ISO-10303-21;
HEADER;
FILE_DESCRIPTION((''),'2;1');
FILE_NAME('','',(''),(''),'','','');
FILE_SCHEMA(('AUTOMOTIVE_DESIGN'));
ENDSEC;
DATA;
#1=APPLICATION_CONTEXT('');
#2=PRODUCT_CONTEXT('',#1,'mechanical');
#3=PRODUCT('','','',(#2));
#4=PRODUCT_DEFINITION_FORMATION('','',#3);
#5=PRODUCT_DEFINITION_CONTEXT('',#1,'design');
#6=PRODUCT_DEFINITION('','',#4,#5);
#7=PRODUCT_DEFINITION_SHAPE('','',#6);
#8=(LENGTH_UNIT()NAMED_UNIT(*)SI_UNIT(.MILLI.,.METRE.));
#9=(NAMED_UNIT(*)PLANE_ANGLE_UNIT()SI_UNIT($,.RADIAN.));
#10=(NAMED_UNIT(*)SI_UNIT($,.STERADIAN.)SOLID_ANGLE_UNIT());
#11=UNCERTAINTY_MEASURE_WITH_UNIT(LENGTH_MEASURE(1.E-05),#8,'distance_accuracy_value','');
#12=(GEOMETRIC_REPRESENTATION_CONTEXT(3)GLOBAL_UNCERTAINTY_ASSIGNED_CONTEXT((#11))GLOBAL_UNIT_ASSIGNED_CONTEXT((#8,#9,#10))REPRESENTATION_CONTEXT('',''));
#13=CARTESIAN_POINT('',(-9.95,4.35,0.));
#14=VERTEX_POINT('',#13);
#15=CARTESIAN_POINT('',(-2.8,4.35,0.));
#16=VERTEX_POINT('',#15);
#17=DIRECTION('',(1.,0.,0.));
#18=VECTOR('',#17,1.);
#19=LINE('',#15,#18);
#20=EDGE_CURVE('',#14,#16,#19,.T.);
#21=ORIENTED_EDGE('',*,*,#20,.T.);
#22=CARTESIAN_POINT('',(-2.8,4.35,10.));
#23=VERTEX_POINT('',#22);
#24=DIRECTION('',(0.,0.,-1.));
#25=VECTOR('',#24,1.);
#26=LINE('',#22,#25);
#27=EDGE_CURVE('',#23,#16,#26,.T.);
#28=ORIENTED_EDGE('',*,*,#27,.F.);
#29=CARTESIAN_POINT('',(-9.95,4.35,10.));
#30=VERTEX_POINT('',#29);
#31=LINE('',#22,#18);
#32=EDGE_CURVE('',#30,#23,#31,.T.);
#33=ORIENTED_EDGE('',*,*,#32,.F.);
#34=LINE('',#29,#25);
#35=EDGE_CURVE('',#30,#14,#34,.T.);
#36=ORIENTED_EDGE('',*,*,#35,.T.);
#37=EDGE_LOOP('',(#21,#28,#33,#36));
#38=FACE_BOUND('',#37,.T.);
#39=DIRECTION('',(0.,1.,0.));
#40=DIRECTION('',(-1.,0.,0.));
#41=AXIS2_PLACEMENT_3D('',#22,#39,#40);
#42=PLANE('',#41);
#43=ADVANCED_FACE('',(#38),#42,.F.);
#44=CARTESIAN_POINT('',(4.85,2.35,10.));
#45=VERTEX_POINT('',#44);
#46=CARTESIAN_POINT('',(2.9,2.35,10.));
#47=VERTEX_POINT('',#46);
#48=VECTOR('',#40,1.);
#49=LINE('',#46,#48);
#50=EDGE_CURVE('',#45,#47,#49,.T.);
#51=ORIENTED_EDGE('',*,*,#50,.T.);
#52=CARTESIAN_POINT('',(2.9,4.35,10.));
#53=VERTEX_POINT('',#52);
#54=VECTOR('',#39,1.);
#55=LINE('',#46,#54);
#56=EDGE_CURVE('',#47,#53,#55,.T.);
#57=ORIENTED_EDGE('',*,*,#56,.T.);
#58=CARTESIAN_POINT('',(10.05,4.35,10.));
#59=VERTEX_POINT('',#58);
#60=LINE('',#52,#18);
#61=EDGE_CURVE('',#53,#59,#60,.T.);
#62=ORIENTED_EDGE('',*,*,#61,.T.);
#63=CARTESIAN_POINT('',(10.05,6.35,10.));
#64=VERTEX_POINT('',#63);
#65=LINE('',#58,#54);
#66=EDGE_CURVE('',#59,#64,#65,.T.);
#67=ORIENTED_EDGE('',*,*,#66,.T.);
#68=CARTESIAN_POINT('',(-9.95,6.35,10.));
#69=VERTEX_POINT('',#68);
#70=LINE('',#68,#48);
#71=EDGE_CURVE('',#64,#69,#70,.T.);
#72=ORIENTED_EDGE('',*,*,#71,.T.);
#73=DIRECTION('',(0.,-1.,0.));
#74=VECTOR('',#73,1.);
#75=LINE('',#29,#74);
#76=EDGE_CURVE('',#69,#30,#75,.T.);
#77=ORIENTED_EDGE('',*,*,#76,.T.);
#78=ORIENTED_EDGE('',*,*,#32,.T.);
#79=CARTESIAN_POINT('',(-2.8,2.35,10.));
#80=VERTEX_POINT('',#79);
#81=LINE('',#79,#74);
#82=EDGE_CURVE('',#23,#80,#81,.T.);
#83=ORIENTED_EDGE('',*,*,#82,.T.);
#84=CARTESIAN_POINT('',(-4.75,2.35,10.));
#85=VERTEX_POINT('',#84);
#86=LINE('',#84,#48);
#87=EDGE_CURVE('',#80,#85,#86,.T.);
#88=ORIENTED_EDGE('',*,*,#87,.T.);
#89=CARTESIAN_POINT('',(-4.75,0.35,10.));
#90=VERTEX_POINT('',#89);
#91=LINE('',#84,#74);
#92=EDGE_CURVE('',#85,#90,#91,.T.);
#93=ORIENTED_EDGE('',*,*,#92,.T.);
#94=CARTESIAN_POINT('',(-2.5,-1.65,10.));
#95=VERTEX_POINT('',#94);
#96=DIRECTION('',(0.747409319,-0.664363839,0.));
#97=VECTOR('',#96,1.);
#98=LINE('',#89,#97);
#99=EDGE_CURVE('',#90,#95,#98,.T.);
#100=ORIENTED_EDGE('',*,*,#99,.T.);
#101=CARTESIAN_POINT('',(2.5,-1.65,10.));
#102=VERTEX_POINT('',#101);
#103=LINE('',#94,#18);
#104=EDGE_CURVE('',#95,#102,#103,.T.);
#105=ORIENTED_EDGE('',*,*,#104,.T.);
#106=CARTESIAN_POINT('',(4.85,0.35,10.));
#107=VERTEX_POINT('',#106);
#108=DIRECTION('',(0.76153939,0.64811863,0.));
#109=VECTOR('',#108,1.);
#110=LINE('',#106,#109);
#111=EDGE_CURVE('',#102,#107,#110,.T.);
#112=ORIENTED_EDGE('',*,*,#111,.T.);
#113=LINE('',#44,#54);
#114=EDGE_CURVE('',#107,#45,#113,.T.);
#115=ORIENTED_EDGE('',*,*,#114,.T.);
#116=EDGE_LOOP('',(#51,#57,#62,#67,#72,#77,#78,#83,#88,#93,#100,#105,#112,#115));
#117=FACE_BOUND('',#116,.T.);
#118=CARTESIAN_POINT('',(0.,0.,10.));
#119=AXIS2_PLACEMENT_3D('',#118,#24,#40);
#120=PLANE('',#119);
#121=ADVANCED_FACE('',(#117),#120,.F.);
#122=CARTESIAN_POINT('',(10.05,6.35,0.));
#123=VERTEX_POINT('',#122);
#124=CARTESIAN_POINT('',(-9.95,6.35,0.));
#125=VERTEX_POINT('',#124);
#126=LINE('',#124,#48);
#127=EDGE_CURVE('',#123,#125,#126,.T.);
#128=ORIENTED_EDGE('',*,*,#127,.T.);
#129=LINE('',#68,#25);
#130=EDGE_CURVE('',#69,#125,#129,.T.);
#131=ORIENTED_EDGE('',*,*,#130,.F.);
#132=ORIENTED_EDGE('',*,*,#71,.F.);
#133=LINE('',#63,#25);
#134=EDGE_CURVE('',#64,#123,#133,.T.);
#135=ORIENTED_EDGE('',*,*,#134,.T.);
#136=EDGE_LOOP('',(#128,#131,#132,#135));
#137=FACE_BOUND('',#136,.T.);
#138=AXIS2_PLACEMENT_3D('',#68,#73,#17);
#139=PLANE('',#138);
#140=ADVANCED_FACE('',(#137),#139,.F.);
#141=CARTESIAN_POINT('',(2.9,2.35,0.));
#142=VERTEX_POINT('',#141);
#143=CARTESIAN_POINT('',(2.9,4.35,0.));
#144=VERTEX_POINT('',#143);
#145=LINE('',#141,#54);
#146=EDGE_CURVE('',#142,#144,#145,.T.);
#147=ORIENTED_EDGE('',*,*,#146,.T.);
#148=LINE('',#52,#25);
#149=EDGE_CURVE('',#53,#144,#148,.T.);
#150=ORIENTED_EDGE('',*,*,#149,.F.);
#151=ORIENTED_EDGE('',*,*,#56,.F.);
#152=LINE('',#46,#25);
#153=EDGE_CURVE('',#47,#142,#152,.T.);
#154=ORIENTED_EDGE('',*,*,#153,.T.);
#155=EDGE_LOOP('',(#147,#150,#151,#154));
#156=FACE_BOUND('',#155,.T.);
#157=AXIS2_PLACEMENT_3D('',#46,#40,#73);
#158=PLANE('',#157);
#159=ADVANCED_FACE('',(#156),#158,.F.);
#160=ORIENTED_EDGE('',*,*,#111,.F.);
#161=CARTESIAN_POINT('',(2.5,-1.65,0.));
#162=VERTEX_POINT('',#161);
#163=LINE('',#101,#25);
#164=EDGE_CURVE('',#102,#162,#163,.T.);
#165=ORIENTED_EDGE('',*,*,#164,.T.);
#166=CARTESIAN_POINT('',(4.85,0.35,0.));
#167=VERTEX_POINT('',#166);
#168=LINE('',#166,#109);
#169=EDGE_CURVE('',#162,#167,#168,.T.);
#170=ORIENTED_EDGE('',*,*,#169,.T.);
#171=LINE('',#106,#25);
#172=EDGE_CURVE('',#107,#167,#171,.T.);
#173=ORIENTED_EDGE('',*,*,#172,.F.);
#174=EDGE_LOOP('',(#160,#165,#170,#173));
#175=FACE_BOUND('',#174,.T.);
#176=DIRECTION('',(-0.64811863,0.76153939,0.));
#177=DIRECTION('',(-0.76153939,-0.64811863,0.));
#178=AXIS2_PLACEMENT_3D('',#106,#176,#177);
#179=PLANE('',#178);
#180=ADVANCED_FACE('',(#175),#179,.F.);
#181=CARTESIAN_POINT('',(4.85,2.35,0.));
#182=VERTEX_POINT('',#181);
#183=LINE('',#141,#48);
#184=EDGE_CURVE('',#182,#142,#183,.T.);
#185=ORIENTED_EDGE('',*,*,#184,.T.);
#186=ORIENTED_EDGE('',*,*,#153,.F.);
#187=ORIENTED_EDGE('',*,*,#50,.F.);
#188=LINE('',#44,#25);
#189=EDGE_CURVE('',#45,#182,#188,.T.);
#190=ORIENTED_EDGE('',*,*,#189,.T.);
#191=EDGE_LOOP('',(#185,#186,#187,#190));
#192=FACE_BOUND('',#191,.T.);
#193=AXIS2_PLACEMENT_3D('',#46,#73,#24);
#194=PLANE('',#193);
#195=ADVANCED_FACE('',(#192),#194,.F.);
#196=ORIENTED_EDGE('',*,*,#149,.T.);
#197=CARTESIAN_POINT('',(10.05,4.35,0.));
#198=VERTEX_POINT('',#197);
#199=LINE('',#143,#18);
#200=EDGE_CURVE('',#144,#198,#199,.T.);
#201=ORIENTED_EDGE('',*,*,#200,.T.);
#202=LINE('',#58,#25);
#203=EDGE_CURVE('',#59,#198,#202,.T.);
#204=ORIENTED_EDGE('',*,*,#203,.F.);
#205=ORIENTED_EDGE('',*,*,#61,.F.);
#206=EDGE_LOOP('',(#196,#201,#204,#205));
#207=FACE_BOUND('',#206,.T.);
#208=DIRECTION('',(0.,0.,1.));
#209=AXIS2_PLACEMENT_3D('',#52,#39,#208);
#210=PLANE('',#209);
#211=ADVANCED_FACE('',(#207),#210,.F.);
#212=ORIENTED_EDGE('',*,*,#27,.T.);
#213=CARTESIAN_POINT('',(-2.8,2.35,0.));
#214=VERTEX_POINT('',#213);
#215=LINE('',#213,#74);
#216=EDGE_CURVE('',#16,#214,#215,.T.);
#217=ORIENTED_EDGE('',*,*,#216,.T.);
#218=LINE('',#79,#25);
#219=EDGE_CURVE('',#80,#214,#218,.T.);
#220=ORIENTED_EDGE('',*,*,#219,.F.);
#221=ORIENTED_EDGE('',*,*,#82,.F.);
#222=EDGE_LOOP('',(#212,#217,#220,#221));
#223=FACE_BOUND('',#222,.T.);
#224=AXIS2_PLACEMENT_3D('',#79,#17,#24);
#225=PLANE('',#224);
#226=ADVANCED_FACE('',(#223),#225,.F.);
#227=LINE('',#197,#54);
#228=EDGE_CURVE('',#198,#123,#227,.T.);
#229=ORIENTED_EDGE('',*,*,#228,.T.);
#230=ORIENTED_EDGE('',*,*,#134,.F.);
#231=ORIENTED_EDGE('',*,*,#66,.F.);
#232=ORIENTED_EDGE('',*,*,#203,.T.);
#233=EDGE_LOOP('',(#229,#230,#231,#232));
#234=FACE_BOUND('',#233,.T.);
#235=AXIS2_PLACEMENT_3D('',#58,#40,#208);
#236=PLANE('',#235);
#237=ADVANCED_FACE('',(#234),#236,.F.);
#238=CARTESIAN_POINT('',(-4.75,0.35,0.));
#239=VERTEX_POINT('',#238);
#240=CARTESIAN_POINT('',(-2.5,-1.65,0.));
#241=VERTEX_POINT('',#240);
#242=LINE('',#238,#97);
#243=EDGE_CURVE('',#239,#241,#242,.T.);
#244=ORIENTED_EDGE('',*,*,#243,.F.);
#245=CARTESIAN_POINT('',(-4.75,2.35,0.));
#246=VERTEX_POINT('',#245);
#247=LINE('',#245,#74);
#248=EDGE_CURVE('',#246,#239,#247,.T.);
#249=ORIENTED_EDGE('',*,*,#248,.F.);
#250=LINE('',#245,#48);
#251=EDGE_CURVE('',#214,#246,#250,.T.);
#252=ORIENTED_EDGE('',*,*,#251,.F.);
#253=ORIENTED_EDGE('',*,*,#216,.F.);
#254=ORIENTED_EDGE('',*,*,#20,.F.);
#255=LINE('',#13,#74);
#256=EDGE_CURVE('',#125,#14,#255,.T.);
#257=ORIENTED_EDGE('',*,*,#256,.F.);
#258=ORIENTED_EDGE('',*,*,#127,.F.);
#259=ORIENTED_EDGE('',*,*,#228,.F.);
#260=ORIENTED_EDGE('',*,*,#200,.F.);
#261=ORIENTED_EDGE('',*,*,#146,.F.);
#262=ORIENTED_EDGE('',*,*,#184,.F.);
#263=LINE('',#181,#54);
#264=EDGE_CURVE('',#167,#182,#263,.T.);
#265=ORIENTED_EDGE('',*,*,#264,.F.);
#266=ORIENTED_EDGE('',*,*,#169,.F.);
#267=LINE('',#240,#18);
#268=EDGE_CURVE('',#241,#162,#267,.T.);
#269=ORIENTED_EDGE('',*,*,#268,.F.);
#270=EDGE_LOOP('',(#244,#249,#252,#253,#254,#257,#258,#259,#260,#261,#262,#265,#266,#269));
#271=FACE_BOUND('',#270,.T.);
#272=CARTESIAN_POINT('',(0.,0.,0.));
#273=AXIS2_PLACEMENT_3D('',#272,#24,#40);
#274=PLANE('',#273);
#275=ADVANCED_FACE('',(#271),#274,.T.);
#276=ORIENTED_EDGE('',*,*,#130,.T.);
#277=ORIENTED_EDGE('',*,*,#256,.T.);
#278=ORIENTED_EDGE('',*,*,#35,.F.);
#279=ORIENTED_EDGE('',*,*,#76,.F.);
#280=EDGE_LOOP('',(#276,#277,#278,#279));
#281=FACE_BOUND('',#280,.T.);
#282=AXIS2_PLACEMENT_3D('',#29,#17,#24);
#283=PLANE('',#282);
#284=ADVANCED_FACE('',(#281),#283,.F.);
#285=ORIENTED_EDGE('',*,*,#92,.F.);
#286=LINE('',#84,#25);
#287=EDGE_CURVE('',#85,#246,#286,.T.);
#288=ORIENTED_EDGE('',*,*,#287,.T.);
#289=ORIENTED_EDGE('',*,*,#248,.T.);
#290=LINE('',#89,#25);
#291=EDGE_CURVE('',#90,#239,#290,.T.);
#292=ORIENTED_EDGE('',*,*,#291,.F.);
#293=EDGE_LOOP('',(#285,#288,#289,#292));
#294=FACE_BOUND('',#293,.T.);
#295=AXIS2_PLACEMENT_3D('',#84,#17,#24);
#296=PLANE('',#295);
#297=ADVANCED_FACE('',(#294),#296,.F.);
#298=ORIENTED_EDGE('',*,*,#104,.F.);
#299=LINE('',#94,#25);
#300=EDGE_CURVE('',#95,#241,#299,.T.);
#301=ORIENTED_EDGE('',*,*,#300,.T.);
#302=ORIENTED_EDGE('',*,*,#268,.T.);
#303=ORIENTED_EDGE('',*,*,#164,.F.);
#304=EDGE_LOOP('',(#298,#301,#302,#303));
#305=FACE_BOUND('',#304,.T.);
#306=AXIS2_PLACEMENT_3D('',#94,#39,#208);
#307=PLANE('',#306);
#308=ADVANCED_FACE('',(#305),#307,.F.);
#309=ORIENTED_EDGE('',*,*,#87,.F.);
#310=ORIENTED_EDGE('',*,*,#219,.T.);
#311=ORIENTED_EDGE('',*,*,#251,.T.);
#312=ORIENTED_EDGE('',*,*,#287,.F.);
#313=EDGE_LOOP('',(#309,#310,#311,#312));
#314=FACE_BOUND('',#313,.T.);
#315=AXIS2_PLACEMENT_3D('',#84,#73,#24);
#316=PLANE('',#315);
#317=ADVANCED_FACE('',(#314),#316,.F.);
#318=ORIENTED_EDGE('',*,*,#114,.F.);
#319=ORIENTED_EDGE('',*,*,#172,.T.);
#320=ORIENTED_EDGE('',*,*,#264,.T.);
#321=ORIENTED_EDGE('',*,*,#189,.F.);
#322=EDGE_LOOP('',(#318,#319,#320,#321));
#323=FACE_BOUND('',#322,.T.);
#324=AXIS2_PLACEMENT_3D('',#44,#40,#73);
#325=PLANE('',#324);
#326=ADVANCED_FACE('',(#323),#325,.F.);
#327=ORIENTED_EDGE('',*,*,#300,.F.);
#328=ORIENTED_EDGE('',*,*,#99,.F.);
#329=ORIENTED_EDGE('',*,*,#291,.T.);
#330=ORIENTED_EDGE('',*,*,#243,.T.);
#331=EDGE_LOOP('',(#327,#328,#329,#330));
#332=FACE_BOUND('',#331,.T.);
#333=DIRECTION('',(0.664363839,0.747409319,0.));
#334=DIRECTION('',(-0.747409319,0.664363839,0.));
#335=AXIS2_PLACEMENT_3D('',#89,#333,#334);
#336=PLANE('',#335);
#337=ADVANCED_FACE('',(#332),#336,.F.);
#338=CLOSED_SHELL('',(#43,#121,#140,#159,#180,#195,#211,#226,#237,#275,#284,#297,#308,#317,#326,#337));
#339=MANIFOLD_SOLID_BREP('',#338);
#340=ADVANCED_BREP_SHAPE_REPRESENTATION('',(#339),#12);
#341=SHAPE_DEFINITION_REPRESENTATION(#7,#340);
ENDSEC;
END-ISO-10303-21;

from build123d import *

# Parameters (mm, degrees)
BOSS_EXTRUDE1_DEPTH = 10


with BuildPart() as part:
    # Sketch2 → Boss-Extrude1 (new body)
    with BuildSketch(Plane.XY):
        Polygon((-2.5, -1.65), (2.5, -1.65), (4.85, 0.35), (4.85, 2.35), (2.9, 2.35), (2.9, 4.35), (10.05, 4.35), (10.05, 6.35), (-9.95, 6.35), (-9.95, 4.35), (-2.8, 4.35), (-2.8, 2.35), (-4.75, 2.35), (-4.75, 0.35), align=None)
    extrude(amount=BOSS_EXTRUDE1_DEPTH)


solid = part.part
